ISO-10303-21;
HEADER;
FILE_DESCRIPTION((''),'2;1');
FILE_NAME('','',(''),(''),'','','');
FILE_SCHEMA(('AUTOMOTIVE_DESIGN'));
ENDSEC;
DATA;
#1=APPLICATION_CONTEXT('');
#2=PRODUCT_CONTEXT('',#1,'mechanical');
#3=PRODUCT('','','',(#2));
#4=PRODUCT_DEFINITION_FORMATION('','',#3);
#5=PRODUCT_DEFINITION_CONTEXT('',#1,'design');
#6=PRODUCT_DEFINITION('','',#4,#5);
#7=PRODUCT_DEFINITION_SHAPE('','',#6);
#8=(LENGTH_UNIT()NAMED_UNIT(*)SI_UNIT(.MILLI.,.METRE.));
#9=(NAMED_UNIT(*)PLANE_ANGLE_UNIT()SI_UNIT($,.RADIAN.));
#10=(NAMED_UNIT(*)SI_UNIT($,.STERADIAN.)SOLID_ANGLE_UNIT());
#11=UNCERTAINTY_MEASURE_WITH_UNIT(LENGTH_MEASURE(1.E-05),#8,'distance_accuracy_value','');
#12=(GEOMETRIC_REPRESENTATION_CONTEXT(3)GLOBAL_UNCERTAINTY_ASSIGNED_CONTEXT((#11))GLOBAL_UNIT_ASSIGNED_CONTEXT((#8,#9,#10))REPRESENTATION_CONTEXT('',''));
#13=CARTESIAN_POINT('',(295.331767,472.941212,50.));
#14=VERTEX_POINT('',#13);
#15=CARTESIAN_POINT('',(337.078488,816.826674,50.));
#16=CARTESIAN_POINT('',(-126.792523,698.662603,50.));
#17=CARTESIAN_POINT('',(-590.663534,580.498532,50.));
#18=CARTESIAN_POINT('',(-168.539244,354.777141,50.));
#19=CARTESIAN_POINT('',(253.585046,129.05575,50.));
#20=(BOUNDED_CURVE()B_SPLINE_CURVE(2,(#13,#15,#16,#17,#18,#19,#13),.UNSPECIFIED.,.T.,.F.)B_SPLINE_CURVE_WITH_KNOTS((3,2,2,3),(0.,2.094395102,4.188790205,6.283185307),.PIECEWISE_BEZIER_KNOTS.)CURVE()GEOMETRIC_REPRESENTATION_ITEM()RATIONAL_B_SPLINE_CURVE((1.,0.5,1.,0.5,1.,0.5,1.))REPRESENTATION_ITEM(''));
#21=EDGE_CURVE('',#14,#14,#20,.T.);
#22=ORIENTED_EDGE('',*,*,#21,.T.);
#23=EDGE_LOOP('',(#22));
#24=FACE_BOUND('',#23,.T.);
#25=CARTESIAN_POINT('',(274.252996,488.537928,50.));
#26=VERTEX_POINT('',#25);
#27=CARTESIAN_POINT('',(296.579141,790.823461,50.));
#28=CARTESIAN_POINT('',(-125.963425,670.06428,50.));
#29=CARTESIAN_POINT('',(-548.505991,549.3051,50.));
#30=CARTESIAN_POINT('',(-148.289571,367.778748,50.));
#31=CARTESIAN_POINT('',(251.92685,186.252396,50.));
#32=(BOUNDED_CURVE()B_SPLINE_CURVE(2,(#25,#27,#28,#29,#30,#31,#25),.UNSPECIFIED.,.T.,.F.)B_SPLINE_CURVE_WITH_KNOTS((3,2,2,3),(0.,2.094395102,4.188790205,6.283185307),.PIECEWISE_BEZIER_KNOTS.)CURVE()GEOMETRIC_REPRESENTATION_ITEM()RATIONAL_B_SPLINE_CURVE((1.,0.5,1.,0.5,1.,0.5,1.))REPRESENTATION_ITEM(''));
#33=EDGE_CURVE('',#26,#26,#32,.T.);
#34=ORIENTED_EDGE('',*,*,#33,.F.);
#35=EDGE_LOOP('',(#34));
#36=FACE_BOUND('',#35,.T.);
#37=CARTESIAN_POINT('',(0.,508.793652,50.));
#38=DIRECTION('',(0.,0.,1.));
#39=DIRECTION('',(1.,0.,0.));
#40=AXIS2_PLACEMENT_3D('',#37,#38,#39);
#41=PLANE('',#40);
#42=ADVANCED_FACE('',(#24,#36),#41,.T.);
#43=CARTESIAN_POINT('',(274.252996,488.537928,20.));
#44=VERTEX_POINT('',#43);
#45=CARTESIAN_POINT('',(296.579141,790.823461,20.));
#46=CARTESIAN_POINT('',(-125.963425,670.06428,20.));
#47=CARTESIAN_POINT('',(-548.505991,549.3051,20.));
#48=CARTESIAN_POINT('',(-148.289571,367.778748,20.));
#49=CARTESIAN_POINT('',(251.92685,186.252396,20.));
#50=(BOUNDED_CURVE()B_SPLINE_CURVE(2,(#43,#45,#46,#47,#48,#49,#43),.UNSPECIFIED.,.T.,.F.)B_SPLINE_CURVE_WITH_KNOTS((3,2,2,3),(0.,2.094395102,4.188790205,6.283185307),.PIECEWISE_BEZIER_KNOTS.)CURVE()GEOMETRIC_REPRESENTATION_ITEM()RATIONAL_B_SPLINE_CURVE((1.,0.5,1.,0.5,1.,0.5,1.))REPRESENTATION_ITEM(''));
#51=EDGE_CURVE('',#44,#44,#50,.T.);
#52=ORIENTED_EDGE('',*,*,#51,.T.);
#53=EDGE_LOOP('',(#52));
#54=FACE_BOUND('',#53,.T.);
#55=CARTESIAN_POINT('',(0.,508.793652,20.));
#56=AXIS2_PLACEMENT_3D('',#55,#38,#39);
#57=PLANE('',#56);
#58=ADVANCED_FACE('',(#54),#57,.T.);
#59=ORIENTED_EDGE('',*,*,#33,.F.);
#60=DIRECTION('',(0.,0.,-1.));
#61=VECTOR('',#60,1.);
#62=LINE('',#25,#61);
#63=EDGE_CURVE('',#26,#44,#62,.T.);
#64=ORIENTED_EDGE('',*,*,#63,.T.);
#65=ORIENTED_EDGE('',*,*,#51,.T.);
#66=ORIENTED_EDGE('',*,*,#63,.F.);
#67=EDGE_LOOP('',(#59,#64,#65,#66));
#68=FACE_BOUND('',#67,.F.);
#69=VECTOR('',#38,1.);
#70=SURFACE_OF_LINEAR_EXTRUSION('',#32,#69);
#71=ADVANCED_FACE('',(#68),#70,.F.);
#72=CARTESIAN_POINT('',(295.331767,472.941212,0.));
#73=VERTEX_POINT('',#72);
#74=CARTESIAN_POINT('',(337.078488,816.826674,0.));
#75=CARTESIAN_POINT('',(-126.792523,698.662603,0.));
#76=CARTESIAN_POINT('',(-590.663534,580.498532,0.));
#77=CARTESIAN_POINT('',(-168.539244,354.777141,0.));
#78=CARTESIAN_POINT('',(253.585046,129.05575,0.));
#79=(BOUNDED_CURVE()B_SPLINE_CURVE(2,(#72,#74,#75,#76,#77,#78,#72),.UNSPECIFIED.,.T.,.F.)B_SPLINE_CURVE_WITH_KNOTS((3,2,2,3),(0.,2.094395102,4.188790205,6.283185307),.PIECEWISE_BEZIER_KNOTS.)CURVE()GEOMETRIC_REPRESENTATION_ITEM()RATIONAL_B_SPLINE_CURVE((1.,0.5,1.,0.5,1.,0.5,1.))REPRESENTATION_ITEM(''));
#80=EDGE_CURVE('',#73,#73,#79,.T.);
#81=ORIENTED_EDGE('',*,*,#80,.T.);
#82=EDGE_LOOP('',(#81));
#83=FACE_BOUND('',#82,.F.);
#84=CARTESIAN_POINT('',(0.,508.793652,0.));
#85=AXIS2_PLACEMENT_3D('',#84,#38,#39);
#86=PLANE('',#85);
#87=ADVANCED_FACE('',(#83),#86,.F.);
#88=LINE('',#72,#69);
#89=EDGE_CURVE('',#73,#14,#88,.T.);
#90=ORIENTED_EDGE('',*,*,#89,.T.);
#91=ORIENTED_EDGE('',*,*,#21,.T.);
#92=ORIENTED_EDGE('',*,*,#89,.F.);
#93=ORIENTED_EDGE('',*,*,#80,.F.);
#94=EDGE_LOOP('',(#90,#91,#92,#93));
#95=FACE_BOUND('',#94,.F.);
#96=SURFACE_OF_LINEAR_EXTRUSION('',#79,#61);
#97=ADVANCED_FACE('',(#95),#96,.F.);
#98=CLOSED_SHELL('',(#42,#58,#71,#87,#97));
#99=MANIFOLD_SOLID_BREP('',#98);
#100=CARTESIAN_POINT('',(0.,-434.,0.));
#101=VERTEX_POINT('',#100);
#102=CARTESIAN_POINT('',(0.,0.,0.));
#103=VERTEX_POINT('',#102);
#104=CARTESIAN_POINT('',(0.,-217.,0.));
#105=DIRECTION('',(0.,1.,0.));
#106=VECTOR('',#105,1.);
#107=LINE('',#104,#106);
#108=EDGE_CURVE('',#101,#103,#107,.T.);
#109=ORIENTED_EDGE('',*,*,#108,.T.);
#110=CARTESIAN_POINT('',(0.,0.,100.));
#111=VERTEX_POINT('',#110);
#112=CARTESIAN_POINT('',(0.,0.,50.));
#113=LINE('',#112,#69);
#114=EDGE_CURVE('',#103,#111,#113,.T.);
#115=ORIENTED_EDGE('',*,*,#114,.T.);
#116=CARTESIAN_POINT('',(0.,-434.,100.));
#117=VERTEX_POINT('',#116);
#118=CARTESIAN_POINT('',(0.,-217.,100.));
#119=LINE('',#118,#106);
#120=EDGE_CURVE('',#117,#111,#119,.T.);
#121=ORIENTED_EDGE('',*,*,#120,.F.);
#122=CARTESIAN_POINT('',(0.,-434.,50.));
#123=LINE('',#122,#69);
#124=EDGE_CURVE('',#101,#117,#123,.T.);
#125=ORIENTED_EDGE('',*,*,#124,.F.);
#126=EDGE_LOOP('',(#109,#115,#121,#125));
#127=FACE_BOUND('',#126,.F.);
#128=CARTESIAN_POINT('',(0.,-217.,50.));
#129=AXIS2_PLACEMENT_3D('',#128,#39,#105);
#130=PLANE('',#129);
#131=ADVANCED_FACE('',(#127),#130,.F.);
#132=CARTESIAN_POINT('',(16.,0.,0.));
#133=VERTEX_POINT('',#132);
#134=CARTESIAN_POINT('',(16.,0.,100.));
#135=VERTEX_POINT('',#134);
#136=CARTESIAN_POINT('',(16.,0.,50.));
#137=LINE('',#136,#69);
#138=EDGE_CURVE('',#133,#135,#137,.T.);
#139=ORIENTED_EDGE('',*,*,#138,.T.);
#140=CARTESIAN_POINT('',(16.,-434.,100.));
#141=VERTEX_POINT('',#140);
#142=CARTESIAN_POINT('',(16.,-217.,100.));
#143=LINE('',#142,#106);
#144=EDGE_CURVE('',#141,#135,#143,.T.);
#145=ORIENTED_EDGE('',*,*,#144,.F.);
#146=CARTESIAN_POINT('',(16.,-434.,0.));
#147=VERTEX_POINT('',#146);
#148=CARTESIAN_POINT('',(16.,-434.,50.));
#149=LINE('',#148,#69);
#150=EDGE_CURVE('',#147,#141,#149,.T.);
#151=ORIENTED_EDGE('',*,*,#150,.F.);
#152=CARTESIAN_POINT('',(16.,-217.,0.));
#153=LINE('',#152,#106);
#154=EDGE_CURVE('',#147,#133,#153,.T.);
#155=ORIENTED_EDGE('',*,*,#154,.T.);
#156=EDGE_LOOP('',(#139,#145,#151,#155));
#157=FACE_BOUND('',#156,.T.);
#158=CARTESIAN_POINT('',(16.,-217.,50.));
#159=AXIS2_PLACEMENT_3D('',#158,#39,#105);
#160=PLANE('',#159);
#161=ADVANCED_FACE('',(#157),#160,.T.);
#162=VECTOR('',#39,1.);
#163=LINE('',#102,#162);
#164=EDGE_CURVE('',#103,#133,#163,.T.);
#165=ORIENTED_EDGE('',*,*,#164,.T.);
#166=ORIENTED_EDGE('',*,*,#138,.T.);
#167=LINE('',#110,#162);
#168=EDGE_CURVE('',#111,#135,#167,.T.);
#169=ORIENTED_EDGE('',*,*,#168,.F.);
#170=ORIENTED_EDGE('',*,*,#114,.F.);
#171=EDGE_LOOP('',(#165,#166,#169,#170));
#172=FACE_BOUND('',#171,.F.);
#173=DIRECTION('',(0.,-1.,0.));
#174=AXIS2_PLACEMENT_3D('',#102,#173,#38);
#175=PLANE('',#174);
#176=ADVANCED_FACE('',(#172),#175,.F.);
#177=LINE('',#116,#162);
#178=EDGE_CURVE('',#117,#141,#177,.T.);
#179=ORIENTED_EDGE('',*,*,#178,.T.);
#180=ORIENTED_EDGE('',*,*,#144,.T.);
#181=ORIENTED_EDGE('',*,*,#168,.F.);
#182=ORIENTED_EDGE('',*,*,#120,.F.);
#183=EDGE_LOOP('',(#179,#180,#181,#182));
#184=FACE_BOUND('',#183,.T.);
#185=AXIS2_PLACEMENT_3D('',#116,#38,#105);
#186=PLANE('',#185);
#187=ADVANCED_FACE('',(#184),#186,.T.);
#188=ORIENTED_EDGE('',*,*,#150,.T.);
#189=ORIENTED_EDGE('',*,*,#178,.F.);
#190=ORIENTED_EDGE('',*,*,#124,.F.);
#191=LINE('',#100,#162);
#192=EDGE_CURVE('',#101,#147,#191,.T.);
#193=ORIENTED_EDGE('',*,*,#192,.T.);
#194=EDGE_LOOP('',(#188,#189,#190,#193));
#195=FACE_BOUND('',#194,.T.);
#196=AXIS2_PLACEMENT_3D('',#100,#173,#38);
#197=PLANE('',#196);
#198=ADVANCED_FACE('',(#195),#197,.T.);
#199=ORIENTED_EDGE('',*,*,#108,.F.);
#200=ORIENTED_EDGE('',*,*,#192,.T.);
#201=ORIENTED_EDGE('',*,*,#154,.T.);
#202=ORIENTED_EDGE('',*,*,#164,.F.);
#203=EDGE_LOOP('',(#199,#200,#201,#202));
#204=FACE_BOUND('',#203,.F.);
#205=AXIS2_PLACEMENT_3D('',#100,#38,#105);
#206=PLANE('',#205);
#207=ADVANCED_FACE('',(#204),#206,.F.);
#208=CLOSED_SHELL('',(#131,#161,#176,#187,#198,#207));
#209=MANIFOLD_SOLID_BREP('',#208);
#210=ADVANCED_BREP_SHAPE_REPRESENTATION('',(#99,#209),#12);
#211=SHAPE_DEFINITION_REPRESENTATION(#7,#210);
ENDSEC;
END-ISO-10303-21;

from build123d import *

# Parameters (mm, degrees)
F0_W     = 434
F0_H     = 100
F1_DEPTH = 16
F3_DEPTH = 50
F5_DEPTH = 30


with BuildPart() as f1:
    # F0 (on Right) → F1 (new body)
    with BuildSketch(Plane.YZ):
        with Locations((-217, 50)):
            Rectangle(F0_W, F0_H)
    extrude(amount=F1_DEPTH)


with BuildPart() as f3:
    # F2 (on Top) → F3 (new body)
    with BuildSketch(Plane.XY):
        with BuildLine():
            add(Edge.make_bspline(
                [(295.3317669038, 472.9412120083), (337.0784880741, 816.8266744395), (-126.7925228667, 698.6626032979), (-590.6635338076, 580.4985321564), (-168.539244037, 354.7771408667), (253.5850457335, 129.0557495771), (295.3317669038, 472.9412120083)],
                knots=[0, 0, 0, 2.0943951024, 2.0943951024, 4.1887902048, 4.1887902048, 6.2831853072, 6.2831853072, 6.2831853072], degree=2, weights=[1, 0.5, 1, 0.5, 1, 0.5, 1]))
        make_face()
    extrude(amount=F3_DEPTH)

    # F4 (on face) → F5 (cut)
    with BuildSketch(Plane.XY.offset(50)):
        with BuildLine():
            add(Edge.make_bspline(
                [(274.2529957023, 488.5379282175), (296.579141143, 790.8234608348), (-125.9634251309, 670.0642802864), (-548.5059914047, 549.305099738), (-148.2895705715, 367.7787476691), (251.9268502617, 186.2523956001), (274.2529957023, 488.5379282175)],
                knots=[0, 0, 0, 2.0943951024, 2.0943951024, 4.1887902048, 4.1887902048, 6.2831853072, 6.2831853072, 6.2831853072], degree=2, weights=[1, 0.5, 1, 0.5, 1, 0.5, 1]))
        make_face()
    extrude(amount=-F5_DEPTH, mode=Mode.SUBTRACT)


solid = Compound([f1.part, f3.part])
